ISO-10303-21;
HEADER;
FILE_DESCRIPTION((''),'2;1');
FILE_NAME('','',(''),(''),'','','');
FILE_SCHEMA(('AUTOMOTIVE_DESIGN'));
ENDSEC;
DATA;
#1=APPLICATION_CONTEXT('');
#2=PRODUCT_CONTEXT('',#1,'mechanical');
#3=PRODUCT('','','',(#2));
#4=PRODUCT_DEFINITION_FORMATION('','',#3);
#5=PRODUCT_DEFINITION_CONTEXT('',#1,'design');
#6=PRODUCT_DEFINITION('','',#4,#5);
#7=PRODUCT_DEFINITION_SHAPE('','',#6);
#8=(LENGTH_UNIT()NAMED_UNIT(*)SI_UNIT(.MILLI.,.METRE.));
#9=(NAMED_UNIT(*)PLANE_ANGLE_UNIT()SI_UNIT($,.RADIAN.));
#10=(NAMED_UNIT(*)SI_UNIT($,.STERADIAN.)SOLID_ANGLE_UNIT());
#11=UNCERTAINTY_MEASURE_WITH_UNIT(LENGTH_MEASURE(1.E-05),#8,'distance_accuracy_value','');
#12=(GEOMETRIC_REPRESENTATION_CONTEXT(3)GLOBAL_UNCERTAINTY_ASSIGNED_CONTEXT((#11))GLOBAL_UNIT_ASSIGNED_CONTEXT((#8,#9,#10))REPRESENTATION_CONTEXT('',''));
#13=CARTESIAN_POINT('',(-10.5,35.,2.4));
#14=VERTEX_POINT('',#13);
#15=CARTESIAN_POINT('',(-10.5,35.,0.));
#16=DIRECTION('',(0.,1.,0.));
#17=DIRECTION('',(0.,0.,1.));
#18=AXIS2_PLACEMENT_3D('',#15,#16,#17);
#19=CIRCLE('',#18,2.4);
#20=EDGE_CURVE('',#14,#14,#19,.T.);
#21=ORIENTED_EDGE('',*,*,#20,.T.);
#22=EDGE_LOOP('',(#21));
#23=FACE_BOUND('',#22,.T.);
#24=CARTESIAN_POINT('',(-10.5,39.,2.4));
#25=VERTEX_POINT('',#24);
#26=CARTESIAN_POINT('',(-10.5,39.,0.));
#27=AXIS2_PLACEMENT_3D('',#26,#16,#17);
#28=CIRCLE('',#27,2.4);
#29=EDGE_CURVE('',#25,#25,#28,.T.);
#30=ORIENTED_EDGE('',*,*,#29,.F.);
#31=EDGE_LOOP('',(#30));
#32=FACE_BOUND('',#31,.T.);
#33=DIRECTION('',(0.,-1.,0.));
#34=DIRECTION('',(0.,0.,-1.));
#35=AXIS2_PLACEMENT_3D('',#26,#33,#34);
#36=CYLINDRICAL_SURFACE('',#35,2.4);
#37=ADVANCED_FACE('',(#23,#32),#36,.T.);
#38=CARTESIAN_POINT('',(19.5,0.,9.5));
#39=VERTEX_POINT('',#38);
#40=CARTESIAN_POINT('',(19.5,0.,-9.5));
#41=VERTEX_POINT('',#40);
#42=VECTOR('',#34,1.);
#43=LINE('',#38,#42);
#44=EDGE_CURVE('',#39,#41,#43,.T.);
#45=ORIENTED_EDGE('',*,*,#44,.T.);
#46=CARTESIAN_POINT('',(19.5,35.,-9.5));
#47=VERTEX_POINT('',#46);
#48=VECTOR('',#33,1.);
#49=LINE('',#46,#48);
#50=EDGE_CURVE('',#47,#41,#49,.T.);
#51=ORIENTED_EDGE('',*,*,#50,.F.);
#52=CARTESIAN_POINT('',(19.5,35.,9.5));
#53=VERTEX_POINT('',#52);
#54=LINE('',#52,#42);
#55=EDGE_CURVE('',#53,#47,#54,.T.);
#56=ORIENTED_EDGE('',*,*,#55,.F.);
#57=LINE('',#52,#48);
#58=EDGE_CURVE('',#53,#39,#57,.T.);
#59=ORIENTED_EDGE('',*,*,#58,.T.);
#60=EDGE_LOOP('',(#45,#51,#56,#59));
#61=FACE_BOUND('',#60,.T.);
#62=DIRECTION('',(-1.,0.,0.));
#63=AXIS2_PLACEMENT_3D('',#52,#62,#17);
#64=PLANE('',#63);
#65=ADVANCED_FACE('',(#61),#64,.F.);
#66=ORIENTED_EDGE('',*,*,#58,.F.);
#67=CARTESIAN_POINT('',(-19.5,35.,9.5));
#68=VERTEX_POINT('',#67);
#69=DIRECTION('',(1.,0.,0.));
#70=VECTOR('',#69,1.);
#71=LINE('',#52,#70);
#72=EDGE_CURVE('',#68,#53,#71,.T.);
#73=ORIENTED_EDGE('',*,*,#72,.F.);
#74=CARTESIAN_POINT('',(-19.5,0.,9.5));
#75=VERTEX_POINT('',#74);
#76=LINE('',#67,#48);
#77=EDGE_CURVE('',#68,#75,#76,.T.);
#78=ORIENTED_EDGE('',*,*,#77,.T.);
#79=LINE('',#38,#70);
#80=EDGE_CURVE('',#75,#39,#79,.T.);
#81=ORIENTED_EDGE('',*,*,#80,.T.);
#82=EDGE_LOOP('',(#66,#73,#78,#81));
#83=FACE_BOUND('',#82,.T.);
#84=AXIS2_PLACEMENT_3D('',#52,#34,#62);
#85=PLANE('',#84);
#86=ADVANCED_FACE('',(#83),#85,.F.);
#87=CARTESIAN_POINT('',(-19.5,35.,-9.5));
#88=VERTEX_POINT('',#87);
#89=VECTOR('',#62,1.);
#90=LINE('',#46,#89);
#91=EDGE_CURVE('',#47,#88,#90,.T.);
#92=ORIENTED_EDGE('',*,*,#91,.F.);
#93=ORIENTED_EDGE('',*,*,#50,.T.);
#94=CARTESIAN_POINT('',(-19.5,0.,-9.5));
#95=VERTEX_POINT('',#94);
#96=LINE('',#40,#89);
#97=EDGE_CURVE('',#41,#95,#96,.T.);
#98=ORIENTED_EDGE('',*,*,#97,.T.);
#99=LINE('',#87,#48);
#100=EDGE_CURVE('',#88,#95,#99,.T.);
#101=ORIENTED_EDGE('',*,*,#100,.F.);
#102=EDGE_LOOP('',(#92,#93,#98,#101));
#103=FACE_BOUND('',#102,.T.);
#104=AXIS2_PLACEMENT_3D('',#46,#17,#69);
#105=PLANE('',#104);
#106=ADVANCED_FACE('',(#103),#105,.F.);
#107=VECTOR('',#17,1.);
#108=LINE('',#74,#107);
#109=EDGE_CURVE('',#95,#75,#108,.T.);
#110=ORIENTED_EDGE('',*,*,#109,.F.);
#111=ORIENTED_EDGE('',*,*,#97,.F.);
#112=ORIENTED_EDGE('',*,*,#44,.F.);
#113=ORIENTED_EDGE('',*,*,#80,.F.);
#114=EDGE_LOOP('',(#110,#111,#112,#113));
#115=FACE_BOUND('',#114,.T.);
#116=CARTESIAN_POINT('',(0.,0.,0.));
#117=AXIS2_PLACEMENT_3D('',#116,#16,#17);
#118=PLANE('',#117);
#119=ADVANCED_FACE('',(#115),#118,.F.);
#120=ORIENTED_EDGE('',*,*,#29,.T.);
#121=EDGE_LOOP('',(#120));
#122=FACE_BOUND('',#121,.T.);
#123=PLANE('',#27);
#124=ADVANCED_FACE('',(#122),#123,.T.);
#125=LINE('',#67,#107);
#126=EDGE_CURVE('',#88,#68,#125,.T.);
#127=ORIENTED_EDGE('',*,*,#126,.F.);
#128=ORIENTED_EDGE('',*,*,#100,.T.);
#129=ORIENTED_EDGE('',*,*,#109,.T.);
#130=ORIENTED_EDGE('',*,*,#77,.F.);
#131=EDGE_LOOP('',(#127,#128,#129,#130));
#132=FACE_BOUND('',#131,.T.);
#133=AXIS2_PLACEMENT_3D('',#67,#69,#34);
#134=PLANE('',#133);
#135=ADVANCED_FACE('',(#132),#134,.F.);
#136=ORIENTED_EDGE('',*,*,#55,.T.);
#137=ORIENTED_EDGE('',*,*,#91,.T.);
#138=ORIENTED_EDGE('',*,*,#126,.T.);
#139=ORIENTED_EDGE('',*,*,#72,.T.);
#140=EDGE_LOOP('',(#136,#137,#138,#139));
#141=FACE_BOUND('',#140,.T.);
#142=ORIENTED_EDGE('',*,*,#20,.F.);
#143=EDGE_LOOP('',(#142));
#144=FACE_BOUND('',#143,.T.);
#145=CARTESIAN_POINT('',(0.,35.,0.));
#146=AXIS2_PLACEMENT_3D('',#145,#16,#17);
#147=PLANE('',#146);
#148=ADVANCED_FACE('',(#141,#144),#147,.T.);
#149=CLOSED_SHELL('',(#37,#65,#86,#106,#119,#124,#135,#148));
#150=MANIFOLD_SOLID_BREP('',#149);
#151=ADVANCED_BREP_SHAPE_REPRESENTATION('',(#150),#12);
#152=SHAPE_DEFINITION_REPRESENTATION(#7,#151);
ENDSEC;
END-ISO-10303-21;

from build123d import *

# Parameters (mm, degrees)
SKETCH1_W           = 39
SKETCH1_H           = 19
BOSS_EXTRUDE1_DEPTH = 35
SKETCH2_R           = 2.4
BOSS_EXTRUDE2_DEPTH = 4


with BuildPart() as part:
    # Sketch1 → Boss-Extrude1 (new body)
    with BuildSketch(Plane(origin=(0, 0, 0), x_dir=(1, 0, 0), z_dir=(0, 1, 0))):
        Rectangle(SKETCH1_W, SKETCH1_H)
    extrude(amount=BOSS_EXTRUDE1_DEPTH)

    # Sketch2 → Boss-Extrude2 (add)
    with BuildSketch(Plane(origin=(0, 35, 0), x_dir=(1, 0, 0), z_dir=(0, 1, 0))):
        with Locations((-10.5, 0)):
            Circle(SKETCH2_R)
    extrude(amount=BOSS_EXTRUDE2_DEPTH)


solid = part.part
